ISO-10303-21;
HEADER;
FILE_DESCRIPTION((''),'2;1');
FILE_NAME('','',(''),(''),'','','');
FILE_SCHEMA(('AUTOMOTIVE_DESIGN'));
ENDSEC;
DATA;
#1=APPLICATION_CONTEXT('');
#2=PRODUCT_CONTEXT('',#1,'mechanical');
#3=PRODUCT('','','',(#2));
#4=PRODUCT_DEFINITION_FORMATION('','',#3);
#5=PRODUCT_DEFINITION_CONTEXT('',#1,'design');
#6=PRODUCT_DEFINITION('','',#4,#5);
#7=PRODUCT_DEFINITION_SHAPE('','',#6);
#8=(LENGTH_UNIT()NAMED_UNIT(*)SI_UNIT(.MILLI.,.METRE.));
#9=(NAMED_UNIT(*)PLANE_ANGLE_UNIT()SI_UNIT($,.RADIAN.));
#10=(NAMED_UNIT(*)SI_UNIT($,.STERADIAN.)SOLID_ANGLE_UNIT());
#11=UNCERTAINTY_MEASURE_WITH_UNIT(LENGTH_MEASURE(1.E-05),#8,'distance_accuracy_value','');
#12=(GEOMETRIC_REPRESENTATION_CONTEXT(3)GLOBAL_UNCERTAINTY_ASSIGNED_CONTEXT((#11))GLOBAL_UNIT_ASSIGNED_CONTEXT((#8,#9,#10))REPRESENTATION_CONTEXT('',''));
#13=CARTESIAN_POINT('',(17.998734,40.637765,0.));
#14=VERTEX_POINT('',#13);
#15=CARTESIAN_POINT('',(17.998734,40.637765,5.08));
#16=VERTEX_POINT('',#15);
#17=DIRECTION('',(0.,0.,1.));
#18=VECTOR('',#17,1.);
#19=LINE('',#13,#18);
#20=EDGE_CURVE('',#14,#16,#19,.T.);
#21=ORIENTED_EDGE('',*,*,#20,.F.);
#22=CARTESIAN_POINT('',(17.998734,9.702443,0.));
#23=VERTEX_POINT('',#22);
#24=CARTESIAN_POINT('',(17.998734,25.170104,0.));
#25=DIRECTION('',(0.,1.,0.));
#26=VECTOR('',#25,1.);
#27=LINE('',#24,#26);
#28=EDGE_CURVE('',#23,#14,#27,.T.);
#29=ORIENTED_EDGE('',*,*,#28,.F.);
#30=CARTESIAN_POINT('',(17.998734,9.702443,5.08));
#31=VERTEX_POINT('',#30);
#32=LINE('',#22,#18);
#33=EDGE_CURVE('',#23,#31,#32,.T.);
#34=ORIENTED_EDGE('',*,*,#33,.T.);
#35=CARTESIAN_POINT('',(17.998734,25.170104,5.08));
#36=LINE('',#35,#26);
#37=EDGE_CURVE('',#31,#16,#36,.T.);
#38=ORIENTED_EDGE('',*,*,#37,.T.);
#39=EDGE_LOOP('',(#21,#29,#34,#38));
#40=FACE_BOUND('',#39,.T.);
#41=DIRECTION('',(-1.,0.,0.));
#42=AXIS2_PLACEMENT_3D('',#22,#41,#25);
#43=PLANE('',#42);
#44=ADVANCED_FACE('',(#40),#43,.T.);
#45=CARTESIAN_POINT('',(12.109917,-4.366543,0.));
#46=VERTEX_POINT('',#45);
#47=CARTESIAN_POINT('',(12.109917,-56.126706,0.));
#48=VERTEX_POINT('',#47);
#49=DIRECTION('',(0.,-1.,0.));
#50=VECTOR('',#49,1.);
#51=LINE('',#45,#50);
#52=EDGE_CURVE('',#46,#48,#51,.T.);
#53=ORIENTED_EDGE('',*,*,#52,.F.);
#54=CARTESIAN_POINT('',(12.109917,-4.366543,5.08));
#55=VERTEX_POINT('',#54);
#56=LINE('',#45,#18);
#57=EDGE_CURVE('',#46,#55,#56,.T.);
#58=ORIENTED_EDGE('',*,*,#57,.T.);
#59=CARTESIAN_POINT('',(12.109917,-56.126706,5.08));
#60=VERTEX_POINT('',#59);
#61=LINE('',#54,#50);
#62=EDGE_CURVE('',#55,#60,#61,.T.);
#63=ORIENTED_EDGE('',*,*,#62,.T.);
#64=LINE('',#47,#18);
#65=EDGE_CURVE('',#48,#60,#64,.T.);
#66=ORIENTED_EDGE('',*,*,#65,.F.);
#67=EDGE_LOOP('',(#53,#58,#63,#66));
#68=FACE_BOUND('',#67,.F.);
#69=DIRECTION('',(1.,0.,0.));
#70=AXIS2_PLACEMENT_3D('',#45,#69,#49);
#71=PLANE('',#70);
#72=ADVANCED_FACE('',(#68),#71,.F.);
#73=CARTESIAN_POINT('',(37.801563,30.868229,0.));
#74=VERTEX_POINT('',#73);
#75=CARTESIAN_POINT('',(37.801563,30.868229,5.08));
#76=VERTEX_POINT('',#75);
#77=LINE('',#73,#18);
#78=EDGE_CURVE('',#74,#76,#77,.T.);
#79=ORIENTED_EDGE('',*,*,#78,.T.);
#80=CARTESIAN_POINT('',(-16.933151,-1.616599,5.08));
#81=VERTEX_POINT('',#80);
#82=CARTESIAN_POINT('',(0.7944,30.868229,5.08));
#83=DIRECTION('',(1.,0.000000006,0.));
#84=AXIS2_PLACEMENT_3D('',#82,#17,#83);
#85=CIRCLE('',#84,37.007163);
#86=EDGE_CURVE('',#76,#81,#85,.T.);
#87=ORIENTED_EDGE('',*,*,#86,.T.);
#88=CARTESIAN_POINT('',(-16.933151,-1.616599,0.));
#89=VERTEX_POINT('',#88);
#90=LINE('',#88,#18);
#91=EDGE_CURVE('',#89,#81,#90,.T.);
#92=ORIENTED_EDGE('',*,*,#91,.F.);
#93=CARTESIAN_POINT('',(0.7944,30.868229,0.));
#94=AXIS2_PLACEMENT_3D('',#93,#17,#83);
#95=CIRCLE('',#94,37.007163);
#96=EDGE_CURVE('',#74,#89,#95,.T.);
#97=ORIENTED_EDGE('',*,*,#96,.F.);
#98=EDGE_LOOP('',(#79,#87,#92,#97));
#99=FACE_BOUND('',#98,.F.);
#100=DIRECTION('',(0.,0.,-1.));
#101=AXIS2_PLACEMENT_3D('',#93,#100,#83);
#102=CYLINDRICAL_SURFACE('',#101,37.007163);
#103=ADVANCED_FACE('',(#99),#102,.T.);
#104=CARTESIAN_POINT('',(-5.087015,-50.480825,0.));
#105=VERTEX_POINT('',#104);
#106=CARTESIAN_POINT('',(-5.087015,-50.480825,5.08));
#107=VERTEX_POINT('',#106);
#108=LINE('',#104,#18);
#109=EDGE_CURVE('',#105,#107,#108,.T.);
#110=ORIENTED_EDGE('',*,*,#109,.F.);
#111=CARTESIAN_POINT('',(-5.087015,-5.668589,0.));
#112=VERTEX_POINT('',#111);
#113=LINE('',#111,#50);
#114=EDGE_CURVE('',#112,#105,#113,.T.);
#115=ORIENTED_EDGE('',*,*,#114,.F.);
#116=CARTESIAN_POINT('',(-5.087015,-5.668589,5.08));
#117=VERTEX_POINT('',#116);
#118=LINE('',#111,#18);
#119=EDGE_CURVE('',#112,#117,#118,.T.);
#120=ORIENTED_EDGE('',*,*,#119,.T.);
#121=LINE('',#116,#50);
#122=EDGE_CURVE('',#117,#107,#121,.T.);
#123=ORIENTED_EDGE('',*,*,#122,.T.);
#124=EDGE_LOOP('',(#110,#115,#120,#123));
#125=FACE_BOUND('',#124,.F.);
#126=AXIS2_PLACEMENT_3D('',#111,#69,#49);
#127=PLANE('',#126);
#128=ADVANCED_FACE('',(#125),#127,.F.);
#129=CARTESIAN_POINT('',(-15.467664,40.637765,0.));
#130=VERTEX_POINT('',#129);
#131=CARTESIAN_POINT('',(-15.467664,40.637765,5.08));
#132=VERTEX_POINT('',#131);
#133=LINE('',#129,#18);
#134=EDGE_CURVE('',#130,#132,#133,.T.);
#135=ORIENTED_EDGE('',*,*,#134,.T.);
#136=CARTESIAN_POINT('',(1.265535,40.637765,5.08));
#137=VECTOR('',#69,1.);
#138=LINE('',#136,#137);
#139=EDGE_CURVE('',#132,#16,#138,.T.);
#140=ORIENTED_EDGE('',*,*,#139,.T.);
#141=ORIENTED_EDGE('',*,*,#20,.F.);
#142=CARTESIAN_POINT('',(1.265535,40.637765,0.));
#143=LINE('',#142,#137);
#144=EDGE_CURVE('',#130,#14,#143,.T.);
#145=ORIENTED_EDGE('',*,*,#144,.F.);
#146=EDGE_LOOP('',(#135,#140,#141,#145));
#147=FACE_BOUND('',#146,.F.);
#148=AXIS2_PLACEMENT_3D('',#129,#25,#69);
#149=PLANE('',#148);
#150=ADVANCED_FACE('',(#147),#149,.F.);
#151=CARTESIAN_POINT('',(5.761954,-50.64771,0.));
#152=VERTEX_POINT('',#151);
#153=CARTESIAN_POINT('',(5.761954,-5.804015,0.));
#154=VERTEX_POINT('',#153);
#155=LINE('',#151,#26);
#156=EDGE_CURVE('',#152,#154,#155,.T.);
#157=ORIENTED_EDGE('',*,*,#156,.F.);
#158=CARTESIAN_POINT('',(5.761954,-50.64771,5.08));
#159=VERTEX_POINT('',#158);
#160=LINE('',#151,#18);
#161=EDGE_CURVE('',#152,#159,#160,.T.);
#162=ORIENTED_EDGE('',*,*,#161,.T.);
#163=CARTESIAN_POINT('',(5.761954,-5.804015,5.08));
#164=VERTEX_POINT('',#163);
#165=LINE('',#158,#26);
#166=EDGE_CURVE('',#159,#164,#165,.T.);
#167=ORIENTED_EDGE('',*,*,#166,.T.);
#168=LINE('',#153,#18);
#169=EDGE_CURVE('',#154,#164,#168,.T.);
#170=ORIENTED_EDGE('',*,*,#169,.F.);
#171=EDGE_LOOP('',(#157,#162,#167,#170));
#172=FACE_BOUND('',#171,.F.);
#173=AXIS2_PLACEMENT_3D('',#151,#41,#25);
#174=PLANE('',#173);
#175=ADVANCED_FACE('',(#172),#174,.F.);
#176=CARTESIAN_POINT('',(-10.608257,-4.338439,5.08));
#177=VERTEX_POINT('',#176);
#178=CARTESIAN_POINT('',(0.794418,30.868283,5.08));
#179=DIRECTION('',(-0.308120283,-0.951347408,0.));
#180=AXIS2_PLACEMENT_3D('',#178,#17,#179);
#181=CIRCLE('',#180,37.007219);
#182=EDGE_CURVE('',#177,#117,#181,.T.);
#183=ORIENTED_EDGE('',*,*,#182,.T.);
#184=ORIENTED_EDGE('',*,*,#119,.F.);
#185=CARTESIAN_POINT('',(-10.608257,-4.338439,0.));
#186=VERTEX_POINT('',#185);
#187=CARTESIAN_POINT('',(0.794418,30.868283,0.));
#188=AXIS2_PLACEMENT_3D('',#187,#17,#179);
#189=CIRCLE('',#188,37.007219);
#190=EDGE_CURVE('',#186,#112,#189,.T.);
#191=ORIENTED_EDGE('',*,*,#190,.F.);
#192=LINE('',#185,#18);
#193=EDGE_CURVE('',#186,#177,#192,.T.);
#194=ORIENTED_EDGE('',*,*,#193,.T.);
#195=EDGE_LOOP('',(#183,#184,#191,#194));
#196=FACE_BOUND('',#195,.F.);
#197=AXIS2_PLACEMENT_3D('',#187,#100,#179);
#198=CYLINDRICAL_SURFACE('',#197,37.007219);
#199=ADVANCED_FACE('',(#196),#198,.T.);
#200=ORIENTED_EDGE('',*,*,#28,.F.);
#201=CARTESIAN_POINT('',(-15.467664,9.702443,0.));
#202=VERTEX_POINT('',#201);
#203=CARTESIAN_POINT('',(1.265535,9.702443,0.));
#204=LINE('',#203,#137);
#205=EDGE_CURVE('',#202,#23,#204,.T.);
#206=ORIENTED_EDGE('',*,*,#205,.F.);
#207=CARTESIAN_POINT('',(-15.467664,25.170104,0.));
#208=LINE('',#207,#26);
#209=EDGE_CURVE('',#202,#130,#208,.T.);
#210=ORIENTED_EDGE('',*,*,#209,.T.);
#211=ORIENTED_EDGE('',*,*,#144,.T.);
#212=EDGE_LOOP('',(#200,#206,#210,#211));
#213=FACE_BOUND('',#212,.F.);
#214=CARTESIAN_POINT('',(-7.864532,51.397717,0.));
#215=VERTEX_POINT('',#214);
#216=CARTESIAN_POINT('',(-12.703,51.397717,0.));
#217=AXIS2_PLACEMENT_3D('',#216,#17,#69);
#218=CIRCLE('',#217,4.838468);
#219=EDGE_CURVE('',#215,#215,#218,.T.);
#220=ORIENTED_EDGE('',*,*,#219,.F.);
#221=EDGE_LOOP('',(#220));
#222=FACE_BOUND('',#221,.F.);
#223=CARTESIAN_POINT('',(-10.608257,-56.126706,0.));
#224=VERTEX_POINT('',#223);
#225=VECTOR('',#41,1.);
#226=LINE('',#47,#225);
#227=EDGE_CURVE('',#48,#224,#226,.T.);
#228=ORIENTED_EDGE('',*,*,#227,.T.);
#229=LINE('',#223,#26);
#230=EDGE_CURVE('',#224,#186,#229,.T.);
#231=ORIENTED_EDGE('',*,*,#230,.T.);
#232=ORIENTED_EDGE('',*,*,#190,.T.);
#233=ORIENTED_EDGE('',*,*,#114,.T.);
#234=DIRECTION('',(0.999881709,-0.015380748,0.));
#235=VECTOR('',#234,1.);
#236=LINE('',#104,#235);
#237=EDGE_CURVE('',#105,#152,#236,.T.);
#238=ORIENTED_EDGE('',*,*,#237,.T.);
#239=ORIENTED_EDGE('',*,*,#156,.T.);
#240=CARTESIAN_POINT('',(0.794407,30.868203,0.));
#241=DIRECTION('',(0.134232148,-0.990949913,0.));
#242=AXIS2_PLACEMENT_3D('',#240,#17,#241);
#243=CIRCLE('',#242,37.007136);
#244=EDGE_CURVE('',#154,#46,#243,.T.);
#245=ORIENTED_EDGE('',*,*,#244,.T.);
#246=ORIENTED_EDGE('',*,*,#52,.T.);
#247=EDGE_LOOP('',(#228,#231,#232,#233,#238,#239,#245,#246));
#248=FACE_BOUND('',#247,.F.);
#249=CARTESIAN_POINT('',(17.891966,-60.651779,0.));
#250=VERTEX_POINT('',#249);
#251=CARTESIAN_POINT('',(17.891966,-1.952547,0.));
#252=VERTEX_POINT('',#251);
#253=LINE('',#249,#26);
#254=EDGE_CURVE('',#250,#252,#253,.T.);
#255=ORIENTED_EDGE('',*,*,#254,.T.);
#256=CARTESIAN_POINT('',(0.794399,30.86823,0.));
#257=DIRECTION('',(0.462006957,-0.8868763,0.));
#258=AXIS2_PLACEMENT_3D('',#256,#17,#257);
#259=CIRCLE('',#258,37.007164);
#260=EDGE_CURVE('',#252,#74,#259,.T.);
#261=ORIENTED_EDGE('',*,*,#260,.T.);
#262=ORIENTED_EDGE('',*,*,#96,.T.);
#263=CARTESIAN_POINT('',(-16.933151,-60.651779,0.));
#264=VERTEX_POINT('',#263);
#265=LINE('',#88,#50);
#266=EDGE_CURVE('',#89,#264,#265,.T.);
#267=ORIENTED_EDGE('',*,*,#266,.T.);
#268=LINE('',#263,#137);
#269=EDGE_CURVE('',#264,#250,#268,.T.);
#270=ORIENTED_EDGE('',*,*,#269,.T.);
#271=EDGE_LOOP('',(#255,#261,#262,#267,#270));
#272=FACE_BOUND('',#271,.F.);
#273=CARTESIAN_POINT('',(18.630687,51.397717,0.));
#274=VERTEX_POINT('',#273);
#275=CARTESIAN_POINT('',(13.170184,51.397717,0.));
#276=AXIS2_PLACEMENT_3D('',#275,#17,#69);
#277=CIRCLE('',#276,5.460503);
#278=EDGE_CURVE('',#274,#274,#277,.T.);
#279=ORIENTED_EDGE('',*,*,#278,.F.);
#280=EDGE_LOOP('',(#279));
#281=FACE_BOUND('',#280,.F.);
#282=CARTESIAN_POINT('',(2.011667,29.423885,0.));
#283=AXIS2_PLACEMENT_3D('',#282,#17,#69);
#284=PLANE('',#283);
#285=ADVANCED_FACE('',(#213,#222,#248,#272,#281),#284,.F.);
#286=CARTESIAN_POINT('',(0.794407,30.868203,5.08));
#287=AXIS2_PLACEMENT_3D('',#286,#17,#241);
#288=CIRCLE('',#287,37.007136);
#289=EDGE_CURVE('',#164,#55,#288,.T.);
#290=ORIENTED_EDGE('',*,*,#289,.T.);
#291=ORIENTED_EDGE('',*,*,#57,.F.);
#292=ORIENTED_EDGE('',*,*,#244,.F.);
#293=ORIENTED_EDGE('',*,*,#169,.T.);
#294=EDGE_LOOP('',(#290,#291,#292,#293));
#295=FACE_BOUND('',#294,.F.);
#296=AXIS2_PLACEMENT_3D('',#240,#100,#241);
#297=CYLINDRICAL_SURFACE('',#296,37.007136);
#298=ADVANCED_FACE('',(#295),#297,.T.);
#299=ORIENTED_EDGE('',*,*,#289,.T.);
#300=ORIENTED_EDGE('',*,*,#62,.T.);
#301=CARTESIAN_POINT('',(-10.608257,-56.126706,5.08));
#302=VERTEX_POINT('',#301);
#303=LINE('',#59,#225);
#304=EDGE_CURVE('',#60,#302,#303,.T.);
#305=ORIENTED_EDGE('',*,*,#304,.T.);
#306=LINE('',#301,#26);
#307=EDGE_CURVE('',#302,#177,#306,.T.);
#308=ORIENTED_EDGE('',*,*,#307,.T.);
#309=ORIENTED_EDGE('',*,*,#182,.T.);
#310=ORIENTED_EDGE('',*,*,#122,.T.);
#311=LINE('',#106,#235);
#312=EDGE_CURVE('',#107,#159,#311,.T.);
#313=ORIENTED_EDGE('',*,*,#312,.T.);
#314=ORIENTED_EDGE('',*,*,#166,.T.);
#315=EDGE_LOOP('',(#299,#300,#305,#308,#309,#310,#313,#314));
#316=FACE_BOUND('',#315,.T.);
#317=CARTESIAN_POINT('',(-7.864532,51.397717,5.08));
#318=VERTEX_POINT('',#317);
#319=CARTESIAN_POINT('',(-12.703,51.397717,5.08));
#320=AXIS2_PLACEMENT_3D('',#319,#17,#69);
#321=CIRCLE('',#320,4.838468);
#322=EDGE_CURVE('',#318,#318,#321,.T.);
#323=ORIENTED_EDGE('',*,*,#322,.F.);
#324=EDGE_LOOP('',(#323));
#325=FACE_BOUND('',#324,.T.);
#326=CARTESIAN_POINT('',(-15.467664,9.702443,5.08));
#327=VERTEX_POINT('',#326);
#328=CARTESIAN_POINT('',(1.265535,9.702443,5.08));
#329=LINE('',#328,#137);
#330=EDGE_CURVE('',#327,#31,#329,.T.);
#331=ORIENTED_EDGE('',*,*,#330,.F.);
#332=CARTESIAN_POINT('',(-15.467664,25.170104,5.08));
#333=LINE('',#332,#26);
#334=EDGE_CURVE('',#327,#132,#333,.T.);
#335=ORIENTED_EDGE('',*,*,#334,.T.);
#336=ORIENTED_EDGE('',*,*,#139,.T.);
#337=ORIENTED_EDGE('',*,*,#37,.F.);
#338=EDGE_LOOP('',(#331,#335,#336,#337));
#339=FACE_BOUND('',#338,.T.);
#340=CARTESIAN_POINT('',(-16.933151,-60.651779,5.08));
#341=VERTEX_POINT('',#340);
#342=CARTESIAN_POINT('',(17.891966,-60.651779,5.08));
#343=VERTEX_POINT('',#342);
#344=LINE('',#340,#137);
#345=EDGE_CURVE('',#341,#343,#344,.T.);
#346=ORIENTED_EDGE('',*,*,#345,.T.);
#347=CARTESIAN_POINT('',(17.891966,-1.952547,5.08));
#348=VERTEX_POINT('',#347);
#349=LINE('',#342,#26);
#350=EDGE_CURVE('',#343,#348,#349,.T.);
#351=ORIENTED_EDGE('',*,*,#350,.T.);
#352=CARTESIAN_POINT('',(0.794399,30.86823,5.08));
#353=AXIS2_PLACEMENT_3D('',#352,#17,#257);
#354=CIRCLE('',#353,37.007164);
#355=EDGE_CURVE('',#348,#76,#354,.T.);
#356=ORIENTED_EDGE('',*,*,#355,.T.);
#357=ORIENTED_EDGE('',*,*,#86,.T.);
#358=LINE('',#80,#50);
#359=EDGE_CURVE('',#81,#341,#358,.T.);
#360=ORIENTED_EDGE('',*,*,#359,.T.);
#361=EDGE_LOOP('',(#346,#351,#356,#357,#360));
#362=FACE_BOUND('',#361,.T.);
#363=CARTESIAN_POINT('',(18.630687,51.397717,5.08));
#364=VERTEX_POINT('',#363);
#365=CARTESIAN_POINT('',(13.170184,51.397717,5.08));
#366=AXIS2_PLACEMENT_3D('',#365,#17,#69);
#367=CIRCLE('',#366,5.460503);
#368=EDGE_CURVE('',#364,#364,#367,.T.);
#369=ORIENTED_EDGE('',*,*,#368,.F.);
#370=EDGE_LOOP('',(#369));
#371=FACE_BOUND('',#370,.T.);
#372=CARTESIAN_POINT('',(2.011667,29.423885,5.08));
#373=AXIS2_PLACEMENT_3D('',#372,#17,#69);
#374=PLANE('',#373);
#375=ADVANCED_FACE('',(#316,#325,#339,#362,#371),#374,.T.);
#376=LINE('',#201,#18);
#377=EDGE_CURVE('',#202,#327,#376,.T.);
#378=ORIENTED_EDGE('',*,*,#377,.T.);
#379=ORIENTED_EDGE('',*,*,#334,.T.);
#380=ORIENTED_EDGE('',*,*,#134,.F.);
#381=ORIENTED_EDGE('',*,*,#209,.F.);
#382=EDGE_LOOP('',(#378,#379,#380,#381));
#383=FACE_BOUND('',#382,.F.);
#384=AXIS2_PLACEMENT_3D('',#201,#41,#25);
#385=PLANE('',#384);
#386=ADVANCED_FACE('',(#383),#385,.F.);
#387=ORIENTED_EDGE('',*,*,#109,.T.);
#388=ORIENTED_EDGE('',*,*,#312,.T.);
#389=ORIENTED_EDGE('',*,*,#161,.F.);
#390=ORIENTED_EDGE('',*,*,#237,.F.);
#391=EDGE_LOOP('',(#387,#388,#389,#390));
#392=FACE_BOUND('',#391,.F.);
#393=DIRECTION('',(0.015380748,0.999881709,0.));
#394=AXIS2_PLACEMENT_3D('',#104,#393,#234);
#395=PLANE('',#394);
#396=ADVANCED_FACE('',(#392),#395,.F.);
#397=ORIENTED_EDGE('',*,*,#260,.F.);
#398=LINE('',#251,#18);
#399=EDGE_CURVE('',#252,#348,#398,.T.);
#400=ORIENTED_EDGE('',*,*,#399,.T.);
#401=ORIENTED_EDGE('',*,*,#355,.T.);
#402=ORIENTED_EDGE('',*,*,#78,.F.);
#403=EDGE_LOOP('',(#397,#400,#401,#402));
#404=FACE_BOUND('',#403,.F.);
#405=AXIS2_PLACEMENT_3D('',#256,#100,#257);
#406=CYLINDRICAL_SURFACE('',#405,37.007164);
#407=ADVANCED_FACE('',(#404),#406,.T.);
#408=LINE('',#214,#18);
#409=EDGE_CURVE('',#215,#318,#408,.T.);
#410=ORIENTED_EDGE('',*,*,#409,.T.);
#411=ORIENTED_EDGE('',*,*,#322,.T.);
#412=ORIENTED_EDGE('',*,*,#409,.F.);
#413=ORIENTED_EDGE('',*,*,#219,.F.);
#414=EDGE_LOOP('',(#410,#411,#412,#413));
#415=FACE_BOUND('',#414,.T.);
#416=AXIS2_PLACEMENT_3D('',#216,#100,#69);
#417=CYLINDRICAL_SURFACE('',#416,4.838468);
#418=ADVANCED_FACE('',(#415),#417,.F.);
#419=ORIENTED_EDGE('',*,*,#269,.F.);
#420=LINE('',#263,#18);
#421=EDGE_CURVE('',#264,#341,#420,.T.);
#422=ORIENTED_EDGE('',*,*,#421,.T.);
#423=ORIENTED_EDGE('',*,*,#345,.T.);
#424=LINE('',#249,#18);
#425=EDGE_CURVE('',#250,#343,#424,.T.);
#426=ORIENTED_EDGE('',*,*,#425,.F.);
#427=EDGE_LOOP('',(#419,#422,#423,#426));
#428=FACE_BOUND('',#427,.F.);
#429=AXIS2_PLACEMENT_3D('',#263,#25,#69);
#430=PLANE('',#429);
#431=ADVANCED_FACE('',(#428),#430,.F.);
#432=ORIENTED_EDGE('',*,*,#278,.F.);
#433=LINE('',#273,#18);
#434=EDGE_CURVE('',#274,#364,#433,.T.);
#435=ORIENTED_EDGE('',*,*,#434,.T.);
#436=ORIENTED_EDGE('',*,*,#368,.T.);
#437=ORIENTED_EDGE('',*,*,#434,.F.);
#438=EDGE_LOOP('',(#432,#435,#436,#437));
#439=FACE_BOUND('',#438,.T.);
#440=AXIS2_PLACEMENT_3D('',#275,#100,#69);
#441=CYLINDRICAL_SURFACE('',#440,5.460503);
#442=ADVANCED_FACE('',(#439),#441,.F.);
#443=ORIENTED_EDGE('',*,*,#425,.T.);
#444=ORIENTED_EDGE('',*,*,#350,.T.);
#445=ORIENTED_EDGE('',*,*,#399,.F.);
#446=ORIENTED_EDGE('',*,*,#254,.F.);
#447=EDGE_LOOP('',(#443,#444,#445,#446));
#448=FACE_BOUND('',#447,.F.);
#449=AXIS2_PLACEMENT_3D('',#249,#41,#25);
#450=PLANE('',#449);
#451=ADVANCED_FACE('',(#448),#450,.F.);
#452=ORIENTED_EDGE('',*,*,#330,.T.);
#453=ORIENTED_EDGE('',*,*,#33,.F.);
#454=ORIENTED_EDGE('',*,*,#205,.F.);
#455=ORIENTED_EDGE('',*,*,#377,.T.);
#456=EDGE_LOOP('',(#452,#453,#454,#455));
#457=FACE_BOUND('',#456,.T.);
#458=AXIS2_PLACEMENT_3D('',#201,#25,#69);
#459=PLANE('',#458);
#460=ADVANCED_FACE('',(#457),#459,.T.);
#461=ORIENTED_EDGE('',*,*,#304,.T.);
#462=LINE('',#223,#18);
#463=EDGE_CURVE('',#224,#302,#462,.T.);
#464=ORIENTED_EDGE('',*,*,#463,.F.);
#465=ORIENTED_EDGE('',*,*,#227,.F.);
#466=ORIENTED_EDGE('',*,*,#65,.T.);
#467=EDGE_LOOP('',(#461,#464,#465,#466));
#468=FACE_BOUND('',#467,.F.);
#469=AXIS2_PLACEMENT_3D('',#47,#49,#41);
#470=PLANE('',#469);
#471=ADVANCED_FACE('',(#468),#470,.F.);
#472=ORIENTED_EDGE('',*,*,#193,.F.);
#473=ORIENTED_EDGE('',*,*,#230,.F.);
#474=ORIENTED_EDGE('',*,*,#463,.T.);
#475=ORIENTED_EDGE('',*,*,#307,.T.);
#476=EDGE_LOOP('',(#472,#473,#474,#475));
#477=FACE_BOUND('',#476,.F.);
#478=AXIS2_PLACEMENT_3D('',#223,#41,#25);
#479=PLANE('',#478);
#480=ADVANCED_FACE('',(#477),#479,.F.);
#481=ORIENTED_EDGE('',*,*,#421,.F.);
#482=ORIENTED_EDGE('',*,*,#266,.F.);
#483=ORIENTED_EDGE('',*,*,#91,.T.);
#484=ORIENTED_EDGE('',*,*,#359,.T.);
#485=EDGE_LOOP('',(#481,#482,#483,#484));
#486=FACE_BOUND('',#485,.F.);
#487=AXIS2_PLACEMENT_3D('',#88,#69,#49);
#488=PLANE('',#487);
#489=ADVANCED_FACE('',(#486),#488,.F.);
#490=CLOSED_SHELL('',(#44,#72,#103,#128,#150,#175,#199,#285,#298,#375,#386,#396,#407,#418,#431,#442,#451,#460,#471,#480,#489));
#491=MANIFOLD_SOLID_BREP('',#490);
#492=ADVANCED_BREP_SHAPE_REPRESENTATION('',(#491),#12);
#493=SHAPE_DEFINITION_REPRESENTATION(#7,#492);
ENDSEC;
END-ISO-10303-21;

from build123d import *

# Parameters (mm, degrees)
F0_R     = 4.838468
F0_W     = 33.466397
F0_H     = 30.935322
F0_R_2   = 5.460503
F1_DEPTH = 5.08


with BuildPart() as f1:
    # F0 (on Top) → F1 (new body)
    with BuildSketch(Plane.XY):
        with BuildLine():
            ThreePointArc((17.891966, -1.952547), (32.435058, 11.67451), (37.801563, 30.868229))
            ThreePointArc((37.801563, 30.868229), (-18.093211, 62.692563), (-16.933151, -1.616599))
            Line((-16.933151, -1.616599), (17.891966, -1.952547))
        make_face()
        with Locations((-12.703, 51.397717)):
            Circle(F0_R, mode=Mode.SUBTRACT)
        with Locations((1.265535, 25.170104)):
            Rectangle(F0_W, F0_H, mode=Mode.SUBTRACT)
        with Locations((13.170184, 51.397717)):
            Circle(F0_R_2, mode=Mode.SUBTRACT)
        with BuildLine():
            ThreePointArc((-10.608257, -4.338439), (-13.834146, -3.124943), (-16.933151, -1.616599))
            Line((-16.933151, -1.616599), (-16.933151, -58.892032))
            Line((-16.933151, -58.892032), (-16.933151, -60.651779))
            Line((-16.933151, -60.651779), (17.891966, -60.651779))
            Line((17.891966, -60.651779), (17.891966, -1.952547))
            ThreePointArc((17.891966, -1.952547), (15.052123, -3.282136), (12.109917, -4.366543))
            Line((12.109917, -4.366543), (12.109917, -56.126706))
            Line((12.109917, -56.126706), (-10.608257, -56.126706))
            Line((-10.608257, -56.126706), (-10.608257, -50.480825))
            Line((-10.608257, -50.480825), (-10.608257, -4.338439))
        make_face()
        with BuildLine():
            Line((17.891966, -1.952547), (-16.933151, -1.616599))
            ThreePointArc((-16.933151, -1.616599), (-13.834146, -3.124943), (-10.608257, -4.338439))
            ThreePointArc((-10.608257, -4.338439), (-7.87319, -5.109583), (-5.087015, -5.668589))
            ThreePointArc((-5.087015, -5.668589), (0.33248, -6.136051), (5.761954, -5.804015))
            ThreePointArc((5.761954, -5.804015), (8.967599, -5.225107), (12.109917, -4.366543))
            ThreePointArc((12.109917, -4.366543), (15.052123, -3.282136), (17.891966, -1.952547))
        make_face()
        with BuildLine():
            ThreePointArc((5.761954, -5.804015), (0.33248, -6.136051), (-5.087015, -5.668589))
            Line((-5.087015, -5.668589), (-5.087015, -50.480825))
            Line((-5.087015, -50.480825), (5.761954, -50.64771))
            Line((5.761954, -50.64771), (5.761954, -5.804015))
        make_face()
    extrude(amount=F1_DEPTH)


solid = f1.part
